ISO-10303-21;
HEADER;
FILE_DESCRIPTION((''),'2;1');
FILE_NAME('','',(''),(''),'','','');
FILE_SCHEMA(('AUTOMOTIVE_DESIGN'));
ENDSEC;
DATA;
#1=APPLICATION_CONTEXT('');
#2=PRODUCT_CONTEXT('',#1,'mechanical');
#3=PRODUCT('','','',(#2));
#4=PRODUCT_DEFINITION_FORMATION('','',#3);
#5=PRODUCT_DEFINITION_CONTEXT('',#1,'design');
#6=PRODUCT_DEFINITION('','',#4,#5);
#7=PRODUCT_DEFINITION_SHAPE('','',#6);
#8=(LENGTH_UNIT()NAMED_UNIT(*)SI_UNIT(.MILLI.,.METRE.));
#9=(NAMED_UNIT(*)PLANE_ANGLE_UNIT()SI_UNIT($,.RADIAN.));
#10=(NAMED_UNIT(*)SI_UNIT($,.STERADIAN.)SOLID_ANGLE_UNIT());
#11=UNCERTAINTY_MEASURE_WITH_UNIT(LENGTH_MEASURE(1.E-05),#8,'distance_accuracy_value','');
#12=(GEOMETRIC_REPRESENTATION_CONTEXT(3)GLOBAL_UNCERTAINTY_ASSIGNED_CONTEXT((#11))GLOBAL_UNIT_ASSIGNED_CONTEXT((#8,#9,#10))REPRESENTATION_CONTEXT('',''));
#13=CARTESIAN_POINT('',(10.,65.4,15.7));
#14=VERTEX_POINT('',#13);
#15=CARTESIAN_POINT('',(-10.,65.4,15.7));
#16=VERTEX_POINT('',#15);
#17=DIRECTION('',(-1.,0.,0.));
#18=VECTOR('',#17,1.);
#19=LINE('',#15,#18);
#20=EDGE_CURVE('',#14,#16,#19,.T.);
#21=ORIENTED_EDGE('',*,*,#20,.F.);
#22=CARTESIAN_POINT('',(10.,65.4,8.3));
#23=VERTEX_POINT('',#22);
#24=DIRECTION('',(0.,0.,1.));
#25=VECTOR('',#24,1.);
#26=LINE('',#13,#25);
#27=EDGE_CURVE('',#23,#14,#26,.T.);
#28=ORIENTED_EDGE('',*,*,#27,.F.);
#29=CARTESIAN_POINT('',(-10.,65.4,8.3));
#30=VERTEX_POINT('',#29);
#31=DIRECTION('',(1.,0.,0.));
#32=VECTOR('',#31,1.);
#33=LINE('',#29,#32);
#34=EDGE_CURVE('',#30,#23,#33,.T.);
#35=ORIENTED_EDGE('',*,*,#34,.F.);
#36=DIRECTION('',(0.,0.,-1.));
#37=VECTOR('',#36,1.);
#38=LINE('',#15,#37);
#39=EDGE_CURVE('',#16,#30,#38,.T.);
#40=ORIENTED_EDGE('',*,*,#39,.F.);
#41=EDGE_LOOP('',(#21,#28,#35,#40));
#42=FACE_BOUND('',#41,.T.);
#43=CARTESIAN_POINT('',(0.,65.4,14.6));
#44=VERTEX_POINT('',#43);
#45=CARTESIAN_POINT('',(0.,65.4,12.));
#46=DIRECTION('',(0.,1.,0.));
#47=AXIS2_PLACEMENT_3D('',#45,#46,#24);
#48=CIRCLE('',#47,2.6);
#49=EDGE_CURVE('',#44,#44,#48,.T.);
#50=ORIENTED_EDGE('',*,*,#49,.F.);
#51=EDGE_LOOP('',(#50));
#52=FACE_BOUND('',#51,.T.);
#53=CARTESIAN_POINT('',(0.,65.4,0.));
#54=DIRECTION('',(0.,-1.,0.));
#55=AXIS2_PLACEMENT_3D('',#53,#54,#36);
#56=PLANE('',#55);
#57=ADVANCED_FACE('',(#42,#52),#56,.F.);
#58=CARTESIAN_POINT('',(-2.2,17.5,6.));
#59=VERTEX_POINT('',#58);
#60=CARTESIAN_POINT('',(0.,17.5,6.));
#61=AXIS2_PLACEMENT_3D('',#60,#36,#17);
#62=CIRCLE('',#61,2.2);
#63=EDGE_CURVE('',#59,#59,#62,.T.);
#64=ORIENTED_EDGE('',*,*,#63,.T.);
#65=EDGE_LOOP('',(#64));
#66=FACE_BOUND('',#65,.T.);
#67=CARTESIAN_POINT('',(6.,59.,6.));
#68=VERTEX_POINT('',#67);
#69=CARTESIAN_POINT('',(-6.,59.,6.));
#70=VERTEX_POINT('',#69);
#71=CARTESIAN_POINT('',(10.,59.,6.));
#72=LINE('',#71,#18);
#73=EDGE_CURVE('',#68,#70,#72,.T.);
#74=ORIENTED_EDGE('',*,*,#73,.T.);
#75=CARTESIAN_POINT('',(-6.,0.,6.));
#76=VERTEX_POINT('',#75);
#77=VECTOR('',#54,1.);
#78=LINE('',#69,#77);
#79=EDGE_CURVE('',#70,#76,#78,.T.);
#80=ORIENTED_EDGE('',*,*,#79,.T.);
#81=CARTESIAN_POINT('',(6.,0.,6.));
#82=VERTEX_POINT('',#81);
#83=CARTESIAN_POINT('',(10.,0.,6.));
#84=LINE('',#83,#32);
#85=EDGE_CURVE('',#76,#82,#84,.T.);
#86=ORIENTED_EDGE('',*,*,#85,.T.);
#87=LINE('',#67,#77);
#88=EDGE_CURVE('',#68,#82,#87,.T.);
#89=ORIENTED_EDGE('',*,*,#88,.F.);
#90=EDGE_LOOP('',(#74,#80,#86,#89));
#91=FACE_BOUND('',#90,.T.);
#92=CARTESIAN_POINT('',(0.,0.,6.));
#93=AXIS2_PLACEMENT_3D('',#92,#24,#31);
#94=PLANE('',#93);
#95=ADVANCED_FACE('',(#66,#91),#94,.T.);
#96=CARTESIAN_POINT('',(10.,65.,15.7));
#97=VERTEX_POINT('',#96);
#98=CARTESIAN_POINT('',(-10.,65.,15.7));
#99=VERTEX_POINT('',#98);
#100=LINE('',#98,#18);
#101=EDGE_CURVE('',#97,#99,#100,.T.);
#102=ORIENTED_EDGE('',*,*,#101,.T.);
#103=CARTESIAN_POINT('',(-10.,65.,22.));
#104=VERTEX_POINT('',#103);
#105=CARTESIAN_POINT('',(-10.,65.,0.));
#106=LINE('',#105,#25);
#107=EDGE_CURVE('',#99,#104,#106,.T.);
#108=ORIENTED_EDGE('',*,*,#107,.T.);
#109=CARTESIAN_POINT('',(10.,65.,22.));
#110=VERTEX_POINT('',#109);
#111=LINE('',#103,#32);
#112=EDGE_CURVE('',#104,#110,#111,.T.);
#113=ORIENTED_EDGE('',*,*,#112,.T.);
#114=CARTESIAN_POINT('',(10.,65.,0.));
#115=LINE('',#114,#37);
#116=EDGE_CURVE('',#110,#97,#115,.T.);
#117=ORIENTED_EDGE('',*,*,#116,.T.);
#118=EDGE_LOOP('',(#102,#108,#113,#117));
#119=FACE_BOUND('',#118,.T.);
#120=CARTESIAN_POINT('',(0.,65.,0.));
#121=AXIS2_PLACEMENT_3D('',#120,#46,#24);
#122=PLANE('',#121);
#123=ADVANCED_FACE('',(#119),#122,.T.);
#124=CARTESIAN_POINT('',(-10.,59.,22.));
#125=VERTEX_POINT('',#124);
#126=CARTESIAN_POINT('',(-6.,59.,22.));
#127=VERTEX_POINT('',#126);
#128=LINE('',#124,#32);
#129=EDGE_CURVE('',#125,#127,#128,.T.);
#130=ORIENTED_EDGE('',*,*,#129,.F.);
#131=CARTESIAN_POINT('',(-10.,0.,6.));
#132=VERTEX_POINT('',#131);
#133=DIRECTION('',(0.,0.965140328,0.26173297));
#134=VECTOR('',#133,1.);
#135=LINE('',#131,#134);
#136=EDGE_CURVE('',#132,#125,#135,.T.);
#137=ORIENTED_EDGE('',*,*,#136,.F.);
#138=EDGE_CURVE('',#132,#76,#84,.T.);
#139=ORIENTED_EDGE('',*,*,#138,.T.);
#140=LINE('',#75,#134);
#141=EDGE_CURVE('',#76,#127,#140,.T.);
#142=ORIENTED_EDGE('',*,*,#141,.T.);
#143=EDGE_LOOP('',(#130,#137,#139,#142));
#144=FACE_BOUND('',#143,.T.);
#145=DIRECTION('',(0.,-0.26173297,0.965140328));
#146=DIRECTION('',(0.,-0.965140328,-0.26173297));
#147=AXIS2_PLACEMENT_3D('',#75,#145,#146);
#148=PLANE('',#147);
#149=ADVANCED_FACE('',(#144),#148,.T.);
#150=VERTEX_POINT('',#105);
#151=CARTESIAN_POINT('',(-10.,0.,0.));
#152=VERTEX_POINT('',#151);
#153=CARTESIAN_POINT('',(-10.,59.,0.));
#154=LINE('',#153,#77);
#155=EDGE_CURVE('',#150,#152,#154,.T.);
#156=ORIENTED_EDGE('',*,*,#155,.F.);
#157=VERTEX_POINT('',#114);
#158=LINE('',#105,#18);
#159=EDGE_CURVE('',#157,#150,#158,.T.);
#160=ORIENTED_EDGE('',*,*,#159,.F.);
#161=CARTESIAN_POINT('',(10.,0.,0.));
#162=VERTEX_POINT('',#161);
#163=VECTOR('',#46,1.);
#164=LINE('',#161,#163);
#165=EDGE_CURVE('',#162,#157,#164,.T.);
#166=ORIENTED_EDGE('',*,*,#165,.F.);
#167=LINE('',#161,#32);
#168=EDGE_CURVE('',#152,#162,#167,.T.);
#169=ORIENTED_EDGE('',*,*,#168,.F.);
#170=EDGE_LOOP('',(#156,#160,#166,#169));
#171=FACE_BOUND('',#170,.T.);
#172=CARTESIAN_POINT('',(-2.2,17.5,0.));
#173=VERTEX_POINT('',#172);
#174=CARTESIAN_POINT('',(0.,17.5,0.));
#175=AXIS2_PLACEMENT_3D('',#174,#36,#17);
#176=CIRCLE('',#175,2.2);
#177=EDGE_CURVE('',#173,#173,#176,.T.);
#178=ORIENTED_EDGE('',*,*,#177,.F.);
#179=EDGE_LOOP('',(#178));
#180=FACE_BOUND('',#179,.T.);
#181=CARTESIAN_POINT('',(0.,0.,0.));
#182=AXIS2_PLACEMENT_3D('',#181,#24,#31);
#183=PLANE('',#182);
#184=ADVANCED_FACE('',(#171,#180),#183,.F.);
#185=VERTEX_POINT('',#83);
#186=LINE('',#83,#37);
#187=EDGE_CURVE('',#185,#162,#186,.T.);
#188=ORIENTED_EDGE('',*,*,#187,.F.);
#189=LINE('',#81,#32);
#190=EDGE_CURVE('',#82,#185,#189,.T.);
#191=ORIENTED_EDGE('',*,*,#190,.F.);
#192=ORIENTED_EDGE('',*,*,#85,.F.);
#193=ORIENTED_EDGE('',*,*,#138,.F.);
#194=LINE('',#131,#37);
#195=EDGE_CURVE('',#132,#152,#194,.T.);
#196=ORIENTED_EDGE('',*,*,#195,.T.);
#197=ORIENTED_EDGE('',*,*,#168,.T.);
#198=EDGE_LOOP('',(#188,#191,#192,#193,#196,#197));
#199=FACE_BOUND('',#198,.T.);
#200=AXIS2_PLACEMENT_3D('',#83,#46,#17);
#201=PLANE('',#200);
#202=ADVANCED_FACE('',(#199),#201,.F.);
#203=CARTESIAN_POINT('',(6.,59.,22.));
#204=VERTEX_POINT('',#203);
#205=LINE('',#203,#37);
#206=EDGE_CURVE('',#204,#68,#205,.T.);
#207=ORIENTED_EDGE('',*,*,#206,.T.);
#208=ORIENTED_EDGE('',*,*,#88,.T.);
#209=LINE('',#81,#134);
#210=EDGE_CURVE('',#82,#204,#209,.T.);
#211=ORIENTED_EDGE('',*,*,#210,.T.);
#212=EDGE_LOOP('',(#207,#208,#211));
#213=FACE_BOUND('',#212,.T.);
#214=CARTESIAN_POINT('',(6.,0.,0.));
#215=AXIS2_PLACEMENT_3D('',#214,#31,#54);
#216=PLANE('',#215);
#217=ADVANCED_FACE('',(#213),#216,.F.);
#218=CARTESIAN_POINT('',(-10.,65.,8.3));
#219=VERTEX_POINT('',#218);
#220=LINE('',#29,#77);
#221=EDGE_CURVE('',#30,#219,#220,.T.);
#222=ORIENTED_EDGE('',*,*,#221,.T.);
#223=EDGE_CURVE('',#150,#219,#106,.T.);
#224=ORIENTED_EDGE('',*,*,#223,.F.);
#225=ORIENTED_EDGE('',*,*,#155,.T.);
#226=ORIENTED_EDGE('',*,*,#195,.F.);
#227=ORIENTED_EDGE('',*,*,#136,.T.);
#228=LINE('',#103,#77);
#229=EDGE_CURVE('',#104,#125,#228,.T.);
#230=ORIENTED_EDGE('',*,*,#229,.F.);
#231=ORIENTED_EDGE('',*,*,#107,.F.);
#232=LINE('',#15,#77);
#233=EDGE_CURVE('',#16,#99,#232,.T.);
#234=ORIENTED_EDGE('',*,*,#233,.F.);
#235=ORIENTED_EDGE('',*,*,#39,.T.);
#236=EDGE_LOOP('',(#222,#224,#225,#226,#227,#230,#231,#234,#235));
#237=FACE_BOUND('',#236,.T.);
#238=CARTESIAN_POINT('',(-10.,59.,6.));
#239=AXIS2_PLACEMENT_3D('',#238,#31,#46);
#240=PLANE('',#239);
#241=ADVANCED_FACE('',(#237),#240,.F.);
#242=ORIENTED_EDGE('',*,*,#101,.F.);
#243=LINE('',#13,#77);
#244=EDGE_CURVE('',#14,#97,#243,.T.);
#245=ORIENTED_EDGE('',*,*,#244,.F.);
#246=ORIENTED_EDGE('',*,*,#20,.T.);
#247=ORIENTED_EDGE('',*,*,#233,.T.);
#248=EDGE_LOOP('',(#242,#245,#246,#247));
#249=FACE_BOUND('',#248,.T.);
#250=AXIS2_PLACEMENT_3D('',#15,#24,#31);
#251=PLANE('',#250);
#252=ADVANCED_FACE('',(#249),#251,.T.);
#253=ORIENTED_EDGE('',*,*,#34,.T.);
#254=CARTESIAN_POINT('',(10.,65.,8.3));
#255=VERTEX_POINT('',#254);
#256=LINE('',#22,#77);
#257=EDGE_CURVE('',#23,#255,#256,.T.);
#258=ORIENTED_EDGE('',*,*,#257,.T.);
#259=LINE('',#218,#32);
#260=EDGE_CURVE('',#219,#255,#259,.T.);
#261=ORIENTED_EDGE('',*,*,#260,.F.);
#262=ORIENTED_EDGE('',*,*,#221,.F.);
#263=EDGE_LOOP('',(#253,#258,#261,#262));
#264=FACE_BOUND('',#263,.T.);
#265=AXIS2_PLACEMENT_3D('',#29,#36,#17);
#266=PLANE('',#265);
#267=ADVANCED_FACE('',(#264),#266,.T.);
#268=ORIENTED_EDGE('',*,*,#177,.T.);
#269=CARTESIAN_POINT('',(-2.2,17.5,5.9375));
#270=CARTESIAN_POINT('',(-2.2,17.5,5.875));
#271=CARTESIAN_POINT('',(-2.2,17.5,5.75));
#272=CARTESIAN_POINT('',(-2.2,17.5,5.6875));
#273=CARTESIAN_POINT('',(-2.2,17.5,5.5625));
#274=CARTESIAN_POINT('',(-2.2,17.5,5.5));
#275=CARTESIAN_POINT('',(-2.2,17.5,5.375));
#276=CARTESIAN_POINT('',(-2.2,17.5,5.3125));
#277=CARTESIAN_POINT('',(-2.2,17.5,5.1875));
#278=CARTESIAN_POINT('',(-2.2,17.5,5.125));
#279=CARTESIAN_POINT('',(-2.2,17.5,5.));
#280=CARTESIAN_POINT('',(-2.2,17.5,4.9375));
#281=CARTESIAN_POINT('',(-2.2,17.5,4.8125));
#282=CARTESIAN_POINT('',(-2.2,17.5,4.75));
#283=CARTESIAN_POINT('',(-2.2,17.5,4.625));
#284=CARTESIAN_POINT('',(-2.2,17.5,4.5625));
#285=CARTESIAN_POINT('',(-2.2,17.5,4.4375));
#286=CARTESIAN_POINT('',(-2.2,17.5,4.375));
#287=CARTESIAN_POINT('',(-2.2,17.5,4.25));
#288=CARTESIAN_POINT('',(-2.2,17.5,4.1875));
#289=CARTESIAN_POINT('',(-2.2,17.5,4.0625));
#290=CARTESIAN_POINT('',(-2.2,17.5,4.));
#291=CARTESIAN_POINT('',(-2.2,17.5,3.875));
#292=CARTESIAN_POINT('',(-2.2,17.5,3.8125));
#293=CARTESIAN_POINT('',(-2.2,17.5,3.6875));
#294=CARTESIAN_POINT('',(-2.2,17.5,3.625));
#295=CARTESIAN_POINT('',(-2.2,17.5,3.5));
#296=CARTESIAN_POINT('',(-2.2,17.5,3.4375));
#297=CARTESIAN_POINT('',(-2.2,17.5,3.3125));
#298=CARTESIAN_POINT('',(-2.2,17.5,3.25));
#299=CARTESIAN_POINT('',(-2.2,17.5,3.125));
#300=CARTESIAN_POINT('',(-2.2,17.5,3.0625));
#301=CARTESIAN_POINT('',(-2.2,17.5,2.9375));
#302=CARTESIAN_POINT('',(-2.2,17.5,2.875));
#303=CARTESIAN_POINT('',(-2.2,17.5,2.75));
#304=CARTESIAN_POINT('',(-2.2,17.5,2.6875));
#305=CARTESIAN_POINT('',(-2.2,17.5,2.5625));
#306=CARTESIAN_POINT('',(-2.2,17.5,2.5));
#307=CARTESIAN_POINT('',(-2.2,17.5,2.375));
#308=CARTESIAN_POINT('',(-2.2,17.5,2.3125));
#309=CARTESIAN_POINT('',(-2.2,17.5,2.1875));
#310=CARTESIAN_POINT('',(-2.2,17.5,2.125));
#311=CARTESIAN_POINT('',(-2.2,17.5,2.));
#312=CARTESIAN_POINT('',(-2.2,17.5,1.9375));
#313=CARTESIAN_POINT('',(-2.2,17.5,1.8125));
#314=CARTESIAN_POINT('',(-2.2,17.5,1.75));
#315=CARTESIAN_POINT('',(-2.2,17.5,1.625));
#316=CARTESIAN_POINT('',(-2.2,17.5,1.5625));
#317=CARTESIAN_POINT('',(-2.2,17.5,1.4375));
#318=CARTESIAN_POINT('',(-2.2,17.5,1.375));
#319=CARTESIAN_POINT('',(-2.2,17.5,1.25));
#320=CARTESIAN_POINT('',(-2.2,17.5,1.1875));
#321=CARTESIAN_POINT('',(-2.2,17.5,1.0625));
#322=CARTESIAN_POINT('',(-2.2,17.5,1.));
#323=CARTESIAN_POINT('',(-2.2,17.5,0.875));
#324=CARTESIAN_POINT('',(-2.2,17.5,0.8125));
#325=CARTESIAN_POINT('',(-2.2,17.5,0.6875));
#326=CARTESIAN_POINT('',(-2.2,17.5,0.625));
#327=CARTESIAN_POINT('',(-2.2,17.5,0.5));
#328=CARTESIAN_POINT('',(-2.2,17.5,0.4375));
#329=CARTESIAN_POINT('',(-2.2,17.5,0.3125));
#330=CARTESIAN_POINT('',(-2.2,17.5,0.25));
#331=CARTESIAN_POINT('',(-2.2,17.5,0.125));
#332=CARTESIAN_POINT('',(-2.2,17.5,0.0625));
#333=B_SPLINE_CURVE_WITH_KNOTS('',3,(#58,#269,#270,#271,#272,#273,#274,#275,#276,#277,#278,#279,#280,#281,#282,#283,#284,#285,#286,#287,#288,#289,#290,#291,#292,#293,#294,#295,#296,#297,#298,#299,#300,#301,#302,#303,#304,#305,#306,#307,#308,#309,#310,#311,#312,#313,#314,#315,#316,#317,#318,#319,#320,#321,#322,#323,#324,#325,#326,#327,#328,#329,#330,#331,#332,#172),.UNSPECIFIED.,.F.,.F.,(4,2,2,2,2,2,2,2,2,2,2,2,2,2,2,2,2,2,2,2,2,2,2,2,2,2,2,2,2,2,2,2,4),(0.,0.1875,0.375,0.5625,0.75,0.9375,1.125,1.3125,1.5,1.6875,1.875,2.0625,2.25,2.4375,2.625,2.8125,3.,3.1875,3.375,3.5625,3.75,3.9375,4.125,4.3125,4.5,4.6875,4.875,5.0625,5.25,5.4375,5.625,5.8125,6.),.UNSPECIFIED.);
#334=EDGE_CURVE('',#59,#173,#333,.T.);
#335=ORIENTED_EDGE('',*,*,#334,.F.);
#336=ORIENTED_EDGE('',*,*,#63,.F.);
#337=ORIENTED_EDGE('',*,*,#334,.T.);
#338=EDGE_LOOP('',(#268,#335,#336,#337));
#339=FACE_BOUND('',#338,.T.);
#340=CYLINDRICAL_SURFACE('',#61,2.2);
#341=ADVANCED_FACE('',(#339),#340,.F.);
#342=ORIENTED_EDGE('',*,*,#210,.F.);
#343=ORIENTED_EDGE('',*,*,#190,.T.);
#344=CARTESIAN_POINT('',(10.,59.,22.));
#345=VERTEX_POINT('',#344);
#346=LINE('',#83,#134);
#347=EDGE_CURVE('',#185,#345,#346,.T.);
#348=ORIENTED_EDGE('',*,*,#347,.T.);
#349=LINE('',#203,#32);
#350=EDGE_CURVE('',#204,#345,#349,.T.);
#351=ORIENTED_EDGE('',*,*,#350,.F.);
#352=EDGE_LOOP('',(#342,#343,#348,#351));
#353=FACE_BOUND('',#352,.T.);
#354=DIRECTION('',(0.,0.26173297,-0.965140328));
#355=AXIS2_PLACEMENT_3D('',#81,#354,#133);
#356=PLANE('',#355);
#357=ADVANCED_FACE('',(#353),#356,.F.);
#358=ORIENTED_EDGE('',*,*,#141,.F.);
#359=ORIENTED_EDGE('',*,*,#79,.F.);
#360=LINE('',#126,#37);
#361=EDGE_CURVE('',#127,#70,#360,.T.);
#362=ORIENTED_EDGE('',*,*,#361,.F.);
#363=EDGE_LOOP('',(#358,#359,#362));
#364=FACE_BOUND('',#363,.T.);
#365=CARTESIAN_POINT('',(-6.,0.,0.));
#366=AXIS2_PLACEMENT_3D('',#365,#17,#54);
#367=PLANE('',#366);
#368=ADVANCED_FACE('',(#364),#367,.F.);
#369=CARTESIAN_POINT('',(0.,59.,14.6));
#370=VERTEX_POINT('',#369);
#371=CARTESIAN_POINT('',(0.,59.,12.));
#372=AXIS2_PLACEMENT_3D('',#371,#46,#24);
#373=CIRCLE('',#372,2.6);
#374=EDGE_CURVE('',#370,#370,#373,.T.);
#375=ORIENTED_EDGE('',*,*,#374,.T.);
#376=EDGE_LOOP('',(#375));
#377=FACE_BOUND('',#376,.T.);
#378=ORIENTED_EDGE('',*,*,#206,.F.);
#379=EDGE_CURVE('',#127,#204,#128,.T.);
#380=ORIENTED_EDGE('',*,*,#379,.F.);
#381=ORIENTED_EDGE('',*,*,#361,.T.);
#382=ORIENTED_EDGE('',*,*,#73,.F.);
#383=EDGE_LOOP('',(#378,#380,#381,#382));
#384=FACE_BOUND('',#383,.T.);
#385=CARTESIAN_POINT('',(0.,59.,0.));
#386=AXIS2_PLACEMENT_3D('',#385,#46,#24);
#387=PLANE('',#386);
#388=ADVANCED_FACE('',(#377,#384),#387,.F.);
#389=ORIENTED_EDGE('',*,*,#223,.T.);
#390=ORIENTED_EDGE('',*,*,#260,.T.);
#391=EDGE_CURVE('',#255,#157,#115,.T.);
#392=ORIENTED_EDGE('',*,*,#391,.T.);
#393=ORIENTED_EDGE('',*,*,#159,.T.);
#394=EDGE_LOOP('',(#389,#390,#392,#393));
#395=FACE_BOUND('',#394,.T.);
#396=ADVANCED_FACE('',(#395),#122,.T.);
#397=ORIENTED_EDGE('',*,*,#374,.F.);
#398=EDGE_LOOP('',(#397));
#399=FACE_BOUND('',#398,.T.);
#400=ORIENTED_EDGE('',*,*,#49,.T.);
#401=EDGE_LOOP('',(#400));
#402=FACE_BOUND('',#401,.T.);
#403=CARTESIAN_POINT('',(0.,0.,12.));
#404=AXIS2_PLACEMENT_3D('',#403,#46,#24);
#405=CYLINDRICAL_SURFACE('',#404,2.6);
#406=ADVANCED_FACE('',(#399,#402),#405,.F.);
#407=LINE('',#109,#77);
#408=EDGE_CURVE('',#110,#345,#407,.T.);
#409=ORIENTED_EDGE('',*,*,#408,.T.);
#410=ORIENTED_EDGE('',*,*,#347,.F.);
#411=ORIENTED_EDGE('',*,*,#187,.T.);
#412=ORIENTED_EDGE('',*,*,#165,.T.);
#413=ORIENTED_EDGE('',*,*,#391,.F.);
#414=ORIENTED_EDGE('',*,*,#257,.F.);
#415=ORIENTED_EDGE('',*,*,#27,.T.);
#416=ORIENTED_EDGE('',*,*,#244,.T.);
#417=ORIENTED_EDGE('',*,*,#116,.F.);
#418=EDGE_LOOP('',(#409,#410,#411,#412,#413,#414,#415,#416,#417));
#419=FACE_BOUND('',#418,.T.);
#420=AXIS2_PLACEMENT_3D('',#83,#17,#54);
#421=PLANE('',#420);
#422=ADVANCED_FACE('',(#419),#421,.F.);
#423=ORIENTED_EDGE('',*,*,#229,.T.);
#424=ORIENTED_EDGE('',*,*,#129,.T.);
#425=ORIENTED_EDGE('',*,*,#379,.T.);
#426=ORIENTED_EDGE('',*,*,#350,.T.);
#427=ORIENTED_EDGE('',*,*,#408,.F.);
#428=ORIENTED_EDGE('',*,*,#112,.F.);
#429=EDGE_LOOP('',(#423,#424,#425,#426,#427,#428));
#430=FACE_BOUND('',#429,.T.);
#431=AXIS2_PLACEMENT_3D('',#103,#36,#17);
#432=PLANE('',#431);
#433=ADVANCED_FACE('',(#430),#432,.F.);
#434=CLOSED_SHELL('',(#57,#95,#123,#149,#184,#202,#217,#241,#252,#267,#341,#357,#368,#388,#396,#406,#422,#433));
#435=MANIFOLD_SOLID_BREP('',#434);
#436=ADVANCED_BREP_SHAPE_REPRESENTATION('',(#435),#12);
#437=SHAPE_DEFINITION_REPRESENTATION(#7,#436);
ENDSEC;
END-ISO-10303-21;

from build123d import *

# Parameters (mm, degrees)
SKETCH_3_W          = 20
SKETCH_3_H          = 59
EXTRUDE_2_DEPTH     = 6
SKETCH_10_R         = 2.2
CUT_EXTRUDE_3_DEPTH = 61.141499815
SKETCH_11_W         = 20
SKETCH_11_H         = 22
EXTRUDE_5_DEPTH     = 6
SKETCH_9_W          = 20
SKETCH_9_H          = 7.4
EXTRUDE_4_DEPTH     = 0.4
SKETCH_13_R         = 2.6
CUT_EXTRUDE_4_DEPTH = 70.722019477
EXTRUDE_6_DEPTH     = 4


with BuildPart() as part:
    # Эскиз3 → Бобышка-Вытянуть2 (new body)
    with BuildSketch(Plane.XY):
        with Locations((0, 29.5)):
            Rectangle(SKETCH_3_W, SKETCH_3_H)
    extrude(amount=EXTRUDE_2_DEPTH)

    # Эскиз10 → Вырез-Вытянуть3 (cut, through all)
    with BuildSketch(Plane(origin=(0, 0, 0), x_dir=(-1, 0, 0), z_dir=(0, 0, -1))):
        with Locations((0, 17.5)):
            Circle(SKETCH_10_R)
    extrude(amount=-CUT_EXTRUDE_3_DEPTH, mode=Mode.SUBTRACT)

    # Эскиз11 → Бобышка-Вытянуть5 (add)
    with BuildSketch(Plane(origin=(0, 59, 0), x_dir=(1, 0, 0), z_dir=(0, 1, 0))):
        with Locations((0, -11)):
            Rectangle(SKETCH_11_W, SKETCH_11_H)
    extrude(amount=EXTRUDE_5_DEPTH)

    # Эскиз9 → Бобышка-Вытянуть4 (add)
    with BuildSketch(Plane(origin=(0, 65, -43.4), x_dir=(1, 0, 0), z_dir=(0, -1, 0))):
        with Locations((0, 55.4)):
            Rectangle(SKETCH_9_W, SKETCH_9_H)
    extrude(amount=-EXTRUDE_4_DEPTH)

    # Эскиз13 → Вырез-Вытянуть4 (cut, through all)
    with BuildSketch(Plane(origin=(0, 65.4, 0), x_dir=(1, 0, 0), z_dir=(0, 1, 0))):
        with Locations(Location((0, -12, 0), (0, 0, 270))):
            Circle(SKETCH_13_R)
    extrude(amount=-CUT_EXTRUDE_4_DEPTH, mode=Mode.SUBTRACT)

    # Эскиз17 → Бобышка-Вытянуть6 (add)
    with BuildSketch(Plane.ZY.offset(10)):
        Polygon((22, 59), (6, 59), (6, 0), align=None)
    extrude_6 = extrude(amount=-EXTRUDE_6_DEPTH)

    # Зеркальное отражение1: Бобышка-Вытянуть6 across plane
    add(extrude_6.mirror(Plane(origin=(0, 0, 0), x_dir=(0, 0, 1), z_dir=(1, 0, 0))))


solid = part.part
